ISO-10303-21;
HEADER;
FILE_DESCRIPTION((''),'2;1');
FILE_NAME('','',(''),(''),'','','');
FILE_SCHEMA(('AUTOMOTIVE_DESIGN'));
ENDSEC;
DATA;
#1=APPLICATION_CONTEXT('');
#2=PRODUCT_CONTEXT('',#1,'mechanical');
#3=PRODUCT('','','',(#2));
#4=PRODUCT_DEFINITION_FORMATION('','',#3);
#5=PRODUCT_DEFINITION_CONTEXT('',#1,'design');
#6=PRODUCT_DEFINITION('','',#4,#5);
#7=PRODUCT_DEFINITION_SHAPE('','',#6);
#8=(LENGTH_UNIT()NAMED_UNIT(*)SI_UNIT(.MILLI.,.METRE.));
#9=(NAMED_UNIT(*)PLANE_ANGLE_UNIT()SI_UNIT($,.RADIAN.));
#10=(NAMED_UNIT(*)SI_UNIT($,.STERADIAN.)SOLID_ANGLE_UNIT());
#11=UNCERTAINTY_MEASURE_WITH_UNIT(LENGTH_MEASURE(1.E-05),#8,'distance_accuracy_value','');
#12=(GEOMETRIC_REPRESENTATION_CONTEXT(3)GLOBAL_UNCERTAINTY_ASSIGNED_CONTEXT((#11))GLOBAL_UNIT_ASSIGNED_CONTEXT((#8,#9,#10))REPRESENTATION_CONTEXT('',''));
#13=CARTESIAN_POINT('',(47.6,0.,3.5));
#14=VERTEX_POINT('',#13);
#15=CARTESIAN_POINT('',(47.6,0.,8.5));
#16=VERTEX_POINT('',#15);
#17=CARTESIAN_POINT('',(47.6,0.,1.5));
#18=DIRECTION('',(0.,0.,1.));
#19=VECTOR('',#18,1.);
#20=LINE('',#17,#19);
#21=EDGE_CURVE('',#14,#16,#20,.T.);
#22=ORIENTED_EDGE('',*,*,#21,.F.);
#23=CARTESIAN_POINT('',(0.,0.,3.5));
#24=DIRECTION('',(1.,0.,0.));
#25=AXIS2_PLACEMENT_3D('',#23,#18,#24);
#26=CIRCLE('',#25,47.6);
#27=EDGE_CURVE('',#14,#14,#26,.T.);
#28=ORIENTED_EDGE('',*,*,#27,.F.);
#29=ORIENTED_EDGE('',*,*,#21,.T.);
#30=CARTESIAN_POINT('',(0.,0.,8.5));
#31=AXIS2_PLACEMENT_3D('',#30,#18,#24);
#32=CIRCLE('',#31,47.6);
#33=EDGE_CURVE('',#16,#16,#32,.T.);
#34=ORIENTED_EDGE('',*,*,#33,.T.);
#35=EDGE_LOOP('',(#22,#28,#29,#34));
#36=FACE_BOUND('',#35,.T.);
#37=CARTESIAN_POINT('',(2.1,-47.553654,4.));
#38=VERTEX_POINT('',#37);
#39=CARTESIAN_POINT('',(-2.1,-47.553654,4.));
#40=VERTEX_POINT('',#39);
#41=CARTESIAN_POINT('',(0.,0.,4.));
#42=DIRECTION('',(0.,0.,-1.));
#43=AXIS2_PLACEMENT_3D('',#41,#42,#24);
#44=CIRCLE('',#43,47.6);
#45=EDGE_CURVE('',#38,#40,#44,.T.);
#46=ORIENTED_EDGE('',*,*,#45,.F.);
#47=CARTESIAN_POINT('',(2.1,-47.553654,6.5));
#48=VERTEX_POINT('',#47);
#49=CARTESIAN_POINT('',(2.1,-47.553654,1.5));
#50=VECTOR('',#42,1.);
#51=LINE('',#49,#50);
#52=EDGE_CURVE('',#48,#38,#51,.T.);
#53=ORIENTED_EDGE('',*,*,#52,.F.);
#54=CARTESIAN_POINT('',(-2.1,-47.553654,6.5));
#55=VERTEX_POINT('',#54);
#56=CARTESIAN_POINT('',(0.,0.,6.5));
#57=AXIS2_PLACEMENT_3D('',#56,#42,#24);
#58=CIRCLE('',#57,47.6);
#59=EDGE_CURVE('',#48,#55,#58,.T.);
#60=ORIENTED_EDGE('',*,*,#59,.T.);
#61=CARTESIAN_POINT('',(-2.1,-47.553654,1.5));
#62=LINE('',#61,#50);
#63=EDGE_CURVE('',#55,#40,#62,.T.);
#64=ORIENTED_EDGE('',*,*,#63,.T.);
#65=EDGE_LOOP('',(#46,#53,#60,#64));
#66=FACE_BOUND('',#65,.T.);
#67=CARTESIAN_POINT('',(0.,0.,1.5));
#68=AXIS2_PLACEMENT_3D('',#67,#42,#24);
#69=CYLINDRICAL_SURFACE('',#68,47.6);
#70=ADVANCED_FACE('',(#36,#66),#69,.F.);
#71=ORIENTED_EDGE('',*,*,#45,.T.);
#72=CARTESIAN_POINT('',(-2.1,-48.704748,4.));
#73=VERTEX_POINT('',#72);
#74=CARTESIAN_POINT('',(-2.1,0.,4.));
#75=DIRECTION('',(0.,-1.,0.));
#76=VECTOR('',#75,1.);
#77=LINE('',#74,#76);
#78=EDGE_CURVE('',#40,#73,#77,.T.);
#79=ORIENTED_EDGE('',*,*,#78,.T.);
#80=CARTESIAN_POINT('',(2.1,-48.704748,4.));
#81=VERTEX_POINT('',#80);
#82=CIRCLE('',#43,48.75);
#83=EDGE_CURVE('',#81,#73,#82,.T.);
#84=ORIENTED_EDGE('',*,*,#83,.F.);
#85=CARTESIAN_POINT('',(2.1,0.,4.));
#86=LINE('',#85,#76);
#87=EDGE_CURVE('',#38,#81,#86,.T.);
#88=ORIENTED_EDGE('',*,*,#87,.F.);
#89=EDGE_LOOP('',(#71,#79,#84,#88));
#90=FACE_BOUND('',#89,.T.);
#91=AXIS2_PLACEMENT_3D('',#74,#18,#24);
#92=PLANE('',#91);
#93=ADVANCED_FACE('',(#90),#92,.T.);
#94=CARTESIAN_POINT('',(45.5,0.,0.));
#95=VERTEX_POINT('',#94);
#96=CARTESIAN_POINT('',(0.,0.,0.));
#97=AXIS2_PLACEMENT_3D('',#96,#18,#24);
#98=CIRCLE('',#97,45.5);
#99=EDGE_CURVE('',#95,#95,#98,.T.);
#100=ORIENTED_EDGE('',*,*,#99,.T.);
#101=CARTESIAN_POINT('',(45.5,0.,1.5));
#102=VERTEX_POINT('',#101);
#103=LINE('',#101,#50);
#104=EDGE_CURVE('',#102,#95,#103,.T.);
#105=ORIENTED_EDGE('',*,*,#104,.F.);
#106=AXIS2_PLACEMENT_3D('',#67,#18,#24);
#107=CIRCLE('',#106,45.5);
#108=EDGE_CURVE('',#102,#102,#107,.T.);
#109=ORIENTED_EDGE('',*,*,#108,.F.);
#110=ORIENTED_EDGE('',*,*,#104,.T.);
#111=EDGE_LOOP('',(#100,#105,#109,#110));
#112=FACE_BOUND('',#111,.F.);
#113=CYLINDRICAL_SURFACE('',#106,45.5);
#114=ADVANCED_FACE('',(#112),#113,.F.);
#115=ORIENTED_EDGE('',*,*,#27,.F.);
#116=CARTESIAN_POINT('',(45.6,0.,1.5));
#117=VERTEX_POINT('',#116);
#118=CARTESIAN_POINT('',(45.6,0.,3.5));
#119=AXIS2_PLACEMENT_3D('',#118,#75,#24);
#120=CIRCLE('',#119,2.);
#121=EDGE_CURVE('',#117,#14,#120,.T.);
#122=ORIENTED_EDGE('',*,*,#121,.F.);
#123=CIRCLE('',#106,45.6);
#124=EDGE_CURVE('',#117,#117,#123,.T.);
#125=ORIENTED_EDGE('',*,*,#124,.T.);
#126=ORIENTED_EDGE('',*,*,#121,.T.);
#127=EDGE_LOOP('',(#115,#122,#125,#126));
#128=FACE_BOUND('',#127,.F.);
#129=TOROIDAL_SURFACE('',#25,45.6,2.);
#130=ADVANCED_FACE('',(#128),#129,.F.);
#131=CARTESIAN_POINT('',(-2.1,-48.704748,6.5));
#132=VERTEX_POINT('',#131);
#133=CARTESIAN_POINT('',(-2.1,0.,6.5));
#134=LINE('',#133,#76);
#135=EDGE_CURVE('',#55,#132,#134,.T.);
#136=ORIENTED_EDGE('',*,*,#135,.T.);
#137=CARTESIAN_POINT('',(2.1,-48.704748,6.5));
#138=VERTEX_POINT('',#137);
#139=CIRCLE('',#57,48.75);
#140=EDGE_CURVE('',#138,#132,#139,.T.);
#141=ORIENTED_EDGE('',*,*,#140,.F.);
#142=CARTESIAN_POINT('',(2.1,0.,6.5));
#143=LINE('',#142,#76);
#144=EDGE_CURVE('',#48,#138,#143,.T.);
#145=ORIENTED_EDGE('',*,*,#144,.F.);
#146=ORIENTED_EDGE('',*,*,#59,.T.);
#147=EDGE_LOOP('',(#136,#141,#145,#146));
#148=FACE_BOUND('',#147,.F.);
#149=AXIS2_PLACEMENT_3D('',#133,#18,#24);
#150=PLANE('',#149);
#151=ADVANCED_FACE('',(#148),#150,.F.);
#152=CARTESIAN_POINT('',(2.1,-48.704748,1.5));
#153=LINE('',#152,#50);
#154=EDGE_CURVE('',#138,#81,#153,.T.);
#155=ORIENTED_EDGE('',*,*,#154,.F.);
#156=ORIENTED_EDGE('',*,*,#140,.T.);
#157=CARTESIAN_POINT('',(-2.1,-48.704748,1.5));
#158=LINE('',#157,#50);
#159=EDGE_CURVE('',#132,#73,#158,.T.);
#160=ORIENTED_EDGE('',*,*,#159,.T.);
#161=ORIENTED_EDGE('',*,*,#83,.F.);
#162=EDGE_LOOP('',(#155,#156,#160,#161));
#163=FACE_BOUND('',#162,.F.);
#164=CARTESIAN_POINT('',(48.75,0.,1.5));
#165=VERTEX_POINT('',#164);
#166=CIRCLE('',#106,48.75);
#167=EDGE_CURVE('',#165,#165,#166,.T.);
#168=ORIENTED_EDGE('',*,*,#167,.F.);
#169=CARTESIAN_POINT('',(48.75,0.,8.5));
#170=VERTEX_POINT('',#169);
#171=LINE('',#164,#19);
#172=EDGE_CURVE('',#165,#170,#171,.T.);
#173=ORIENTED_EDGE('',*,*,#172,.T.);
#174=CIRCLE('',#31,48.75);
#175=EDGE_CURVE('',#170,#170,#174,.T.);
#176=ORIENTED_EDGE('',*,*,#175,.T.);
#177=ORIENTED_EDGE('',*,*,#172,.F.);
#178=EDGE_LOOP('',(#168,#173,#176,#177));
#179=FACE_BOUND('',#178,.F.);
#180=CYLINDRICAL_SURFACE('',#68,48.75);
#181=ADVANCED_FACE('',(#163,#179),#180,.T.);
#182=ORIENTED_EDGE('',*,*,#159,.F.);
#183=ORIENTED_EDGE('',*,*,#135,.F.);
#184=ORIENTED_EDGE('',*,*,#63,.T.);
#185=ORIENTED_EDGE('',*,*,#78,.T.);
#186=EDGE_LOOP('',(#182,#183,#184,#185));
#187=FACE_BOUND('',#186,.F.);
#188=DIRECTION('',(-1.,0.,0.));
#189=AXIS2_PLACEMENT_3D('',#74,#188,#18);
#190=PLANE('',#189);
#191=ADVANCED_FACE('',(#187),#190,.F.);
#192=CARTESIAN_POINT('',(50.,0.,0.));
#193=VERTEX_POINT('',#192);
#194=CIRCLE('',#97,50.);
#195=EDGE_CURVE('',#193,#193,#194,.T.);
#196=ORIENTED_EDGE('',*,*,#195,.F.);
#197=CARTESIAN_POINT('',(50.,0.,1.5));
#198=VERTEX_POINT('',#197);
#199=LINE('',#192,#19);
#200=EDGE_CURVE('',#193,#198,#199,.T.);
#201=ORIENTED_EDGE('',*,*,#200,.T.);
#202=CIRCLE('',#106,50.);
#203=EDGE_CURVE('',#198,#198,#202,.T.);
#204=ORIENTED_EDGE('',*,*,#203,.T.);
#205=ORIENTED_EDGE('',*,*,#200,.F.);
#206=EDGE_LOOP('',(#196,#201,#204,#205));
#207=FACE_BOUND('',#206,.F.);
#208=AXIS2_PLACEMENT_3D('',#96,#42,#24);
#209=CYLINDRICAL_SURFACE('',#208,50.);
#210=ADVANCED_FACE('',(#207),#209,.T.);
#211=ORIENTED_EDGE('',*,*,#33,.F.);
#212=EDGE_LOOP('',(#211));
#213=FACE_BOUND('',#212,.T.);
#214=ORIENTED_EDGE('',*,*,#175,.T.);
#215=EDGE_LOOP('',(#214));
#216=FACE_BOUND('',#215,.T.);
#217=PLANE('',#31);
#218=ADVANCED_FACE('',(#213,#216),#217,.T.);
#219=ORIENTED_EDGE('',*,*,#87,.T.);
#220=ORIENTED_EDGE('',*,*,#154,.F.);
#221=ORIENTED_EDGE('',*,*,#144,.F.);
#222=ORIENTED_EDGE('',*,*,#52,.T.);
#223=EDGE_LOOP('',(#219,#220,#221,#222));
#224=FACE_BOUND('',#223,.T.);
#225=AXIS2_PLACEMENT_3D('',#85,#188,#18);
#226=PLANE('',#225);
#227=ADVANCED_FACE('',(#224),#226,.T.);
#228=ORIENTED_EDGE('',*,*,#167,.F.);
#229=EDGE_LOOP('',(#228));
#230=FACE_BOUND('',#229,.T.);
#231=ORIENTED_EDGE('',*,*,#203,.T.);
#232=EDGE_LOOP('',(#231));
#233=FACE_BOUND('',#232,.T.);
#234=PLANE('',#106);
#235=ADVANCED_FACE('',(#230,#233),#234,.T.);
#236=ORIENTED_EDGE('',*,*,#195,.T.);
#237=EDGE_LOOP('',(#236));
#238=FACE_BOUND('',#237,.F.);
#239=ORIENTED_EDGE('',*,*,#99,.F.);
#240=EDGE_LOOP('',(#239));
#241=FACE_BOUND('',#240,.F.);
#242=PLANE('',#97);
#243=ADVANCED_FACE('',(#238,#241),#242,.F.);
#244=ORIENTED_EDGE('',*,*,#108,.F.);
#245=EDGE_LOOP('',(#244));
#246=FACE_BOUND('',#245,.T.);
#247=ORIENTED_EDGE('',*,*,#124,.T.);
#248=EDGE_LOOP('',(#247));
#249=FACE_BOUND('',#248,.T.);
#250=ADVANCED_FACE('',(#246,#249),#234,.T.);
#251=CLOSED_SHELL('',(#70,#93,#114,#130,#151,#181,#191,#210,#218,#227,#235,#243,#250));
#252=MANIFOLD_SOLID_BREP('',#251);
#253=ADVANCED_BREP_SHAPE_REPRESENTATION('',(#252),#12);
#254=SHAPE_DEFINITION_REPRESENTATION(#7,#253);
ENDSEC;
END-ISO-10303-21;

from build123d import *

# Parameters (mm, degrees)
F0_R     = 50
F1_DEPTH = 1.5
F2_R     = 48.75
F2_R_2   = 47.6
F3_DEPTH = 7
F4_R     = 45.5
F5_DEPTH = 25
F6_W     = 4.2
F6_H     = 2.5
F7_DEPTH = 150.9
F8_R     = 2


with BuildPart() as f1:
    # F0 (on Top) → F1 (new body)
    with BuildSketch(Plane.XY):
        Circle(F0_R)
    extrude(amount=F1_DEPTH)

    # F2 (on face) → F3 (join)
    with BuildSketch(Plane.XY.offset(1.5)):
        Circle(F2_R)
        Circle(F2_R_2, mode=Mode.SUBTRACT)
    extrude(amount=F3_DEPTH)

    # F4 (on face) → F5 (cut)
    with BuildSketch(Plane.XY.offset(1.5)):
        Circle(F4_R)
    extrude(amount=-F5_DEPTH, mode=Mode.SUBTRACT)

    # F6 (on Front) → F7 (cut)
    with BuildSketch(Plane.XZ):
        with Locations((0, 5.25)):
            Rectangle(F6_W, F6_H)
    extrude(amount=F7_DEPTH, mode=Mode.SUBTRACT)

    # F8
    f8_edges = [f1.edges().sort_by_distance(p)[0] for p in [
        (-47.6, 0, 1.5),
    ]]
    fillet(f8_edges, radius=F8_R)


solid = f1.part
